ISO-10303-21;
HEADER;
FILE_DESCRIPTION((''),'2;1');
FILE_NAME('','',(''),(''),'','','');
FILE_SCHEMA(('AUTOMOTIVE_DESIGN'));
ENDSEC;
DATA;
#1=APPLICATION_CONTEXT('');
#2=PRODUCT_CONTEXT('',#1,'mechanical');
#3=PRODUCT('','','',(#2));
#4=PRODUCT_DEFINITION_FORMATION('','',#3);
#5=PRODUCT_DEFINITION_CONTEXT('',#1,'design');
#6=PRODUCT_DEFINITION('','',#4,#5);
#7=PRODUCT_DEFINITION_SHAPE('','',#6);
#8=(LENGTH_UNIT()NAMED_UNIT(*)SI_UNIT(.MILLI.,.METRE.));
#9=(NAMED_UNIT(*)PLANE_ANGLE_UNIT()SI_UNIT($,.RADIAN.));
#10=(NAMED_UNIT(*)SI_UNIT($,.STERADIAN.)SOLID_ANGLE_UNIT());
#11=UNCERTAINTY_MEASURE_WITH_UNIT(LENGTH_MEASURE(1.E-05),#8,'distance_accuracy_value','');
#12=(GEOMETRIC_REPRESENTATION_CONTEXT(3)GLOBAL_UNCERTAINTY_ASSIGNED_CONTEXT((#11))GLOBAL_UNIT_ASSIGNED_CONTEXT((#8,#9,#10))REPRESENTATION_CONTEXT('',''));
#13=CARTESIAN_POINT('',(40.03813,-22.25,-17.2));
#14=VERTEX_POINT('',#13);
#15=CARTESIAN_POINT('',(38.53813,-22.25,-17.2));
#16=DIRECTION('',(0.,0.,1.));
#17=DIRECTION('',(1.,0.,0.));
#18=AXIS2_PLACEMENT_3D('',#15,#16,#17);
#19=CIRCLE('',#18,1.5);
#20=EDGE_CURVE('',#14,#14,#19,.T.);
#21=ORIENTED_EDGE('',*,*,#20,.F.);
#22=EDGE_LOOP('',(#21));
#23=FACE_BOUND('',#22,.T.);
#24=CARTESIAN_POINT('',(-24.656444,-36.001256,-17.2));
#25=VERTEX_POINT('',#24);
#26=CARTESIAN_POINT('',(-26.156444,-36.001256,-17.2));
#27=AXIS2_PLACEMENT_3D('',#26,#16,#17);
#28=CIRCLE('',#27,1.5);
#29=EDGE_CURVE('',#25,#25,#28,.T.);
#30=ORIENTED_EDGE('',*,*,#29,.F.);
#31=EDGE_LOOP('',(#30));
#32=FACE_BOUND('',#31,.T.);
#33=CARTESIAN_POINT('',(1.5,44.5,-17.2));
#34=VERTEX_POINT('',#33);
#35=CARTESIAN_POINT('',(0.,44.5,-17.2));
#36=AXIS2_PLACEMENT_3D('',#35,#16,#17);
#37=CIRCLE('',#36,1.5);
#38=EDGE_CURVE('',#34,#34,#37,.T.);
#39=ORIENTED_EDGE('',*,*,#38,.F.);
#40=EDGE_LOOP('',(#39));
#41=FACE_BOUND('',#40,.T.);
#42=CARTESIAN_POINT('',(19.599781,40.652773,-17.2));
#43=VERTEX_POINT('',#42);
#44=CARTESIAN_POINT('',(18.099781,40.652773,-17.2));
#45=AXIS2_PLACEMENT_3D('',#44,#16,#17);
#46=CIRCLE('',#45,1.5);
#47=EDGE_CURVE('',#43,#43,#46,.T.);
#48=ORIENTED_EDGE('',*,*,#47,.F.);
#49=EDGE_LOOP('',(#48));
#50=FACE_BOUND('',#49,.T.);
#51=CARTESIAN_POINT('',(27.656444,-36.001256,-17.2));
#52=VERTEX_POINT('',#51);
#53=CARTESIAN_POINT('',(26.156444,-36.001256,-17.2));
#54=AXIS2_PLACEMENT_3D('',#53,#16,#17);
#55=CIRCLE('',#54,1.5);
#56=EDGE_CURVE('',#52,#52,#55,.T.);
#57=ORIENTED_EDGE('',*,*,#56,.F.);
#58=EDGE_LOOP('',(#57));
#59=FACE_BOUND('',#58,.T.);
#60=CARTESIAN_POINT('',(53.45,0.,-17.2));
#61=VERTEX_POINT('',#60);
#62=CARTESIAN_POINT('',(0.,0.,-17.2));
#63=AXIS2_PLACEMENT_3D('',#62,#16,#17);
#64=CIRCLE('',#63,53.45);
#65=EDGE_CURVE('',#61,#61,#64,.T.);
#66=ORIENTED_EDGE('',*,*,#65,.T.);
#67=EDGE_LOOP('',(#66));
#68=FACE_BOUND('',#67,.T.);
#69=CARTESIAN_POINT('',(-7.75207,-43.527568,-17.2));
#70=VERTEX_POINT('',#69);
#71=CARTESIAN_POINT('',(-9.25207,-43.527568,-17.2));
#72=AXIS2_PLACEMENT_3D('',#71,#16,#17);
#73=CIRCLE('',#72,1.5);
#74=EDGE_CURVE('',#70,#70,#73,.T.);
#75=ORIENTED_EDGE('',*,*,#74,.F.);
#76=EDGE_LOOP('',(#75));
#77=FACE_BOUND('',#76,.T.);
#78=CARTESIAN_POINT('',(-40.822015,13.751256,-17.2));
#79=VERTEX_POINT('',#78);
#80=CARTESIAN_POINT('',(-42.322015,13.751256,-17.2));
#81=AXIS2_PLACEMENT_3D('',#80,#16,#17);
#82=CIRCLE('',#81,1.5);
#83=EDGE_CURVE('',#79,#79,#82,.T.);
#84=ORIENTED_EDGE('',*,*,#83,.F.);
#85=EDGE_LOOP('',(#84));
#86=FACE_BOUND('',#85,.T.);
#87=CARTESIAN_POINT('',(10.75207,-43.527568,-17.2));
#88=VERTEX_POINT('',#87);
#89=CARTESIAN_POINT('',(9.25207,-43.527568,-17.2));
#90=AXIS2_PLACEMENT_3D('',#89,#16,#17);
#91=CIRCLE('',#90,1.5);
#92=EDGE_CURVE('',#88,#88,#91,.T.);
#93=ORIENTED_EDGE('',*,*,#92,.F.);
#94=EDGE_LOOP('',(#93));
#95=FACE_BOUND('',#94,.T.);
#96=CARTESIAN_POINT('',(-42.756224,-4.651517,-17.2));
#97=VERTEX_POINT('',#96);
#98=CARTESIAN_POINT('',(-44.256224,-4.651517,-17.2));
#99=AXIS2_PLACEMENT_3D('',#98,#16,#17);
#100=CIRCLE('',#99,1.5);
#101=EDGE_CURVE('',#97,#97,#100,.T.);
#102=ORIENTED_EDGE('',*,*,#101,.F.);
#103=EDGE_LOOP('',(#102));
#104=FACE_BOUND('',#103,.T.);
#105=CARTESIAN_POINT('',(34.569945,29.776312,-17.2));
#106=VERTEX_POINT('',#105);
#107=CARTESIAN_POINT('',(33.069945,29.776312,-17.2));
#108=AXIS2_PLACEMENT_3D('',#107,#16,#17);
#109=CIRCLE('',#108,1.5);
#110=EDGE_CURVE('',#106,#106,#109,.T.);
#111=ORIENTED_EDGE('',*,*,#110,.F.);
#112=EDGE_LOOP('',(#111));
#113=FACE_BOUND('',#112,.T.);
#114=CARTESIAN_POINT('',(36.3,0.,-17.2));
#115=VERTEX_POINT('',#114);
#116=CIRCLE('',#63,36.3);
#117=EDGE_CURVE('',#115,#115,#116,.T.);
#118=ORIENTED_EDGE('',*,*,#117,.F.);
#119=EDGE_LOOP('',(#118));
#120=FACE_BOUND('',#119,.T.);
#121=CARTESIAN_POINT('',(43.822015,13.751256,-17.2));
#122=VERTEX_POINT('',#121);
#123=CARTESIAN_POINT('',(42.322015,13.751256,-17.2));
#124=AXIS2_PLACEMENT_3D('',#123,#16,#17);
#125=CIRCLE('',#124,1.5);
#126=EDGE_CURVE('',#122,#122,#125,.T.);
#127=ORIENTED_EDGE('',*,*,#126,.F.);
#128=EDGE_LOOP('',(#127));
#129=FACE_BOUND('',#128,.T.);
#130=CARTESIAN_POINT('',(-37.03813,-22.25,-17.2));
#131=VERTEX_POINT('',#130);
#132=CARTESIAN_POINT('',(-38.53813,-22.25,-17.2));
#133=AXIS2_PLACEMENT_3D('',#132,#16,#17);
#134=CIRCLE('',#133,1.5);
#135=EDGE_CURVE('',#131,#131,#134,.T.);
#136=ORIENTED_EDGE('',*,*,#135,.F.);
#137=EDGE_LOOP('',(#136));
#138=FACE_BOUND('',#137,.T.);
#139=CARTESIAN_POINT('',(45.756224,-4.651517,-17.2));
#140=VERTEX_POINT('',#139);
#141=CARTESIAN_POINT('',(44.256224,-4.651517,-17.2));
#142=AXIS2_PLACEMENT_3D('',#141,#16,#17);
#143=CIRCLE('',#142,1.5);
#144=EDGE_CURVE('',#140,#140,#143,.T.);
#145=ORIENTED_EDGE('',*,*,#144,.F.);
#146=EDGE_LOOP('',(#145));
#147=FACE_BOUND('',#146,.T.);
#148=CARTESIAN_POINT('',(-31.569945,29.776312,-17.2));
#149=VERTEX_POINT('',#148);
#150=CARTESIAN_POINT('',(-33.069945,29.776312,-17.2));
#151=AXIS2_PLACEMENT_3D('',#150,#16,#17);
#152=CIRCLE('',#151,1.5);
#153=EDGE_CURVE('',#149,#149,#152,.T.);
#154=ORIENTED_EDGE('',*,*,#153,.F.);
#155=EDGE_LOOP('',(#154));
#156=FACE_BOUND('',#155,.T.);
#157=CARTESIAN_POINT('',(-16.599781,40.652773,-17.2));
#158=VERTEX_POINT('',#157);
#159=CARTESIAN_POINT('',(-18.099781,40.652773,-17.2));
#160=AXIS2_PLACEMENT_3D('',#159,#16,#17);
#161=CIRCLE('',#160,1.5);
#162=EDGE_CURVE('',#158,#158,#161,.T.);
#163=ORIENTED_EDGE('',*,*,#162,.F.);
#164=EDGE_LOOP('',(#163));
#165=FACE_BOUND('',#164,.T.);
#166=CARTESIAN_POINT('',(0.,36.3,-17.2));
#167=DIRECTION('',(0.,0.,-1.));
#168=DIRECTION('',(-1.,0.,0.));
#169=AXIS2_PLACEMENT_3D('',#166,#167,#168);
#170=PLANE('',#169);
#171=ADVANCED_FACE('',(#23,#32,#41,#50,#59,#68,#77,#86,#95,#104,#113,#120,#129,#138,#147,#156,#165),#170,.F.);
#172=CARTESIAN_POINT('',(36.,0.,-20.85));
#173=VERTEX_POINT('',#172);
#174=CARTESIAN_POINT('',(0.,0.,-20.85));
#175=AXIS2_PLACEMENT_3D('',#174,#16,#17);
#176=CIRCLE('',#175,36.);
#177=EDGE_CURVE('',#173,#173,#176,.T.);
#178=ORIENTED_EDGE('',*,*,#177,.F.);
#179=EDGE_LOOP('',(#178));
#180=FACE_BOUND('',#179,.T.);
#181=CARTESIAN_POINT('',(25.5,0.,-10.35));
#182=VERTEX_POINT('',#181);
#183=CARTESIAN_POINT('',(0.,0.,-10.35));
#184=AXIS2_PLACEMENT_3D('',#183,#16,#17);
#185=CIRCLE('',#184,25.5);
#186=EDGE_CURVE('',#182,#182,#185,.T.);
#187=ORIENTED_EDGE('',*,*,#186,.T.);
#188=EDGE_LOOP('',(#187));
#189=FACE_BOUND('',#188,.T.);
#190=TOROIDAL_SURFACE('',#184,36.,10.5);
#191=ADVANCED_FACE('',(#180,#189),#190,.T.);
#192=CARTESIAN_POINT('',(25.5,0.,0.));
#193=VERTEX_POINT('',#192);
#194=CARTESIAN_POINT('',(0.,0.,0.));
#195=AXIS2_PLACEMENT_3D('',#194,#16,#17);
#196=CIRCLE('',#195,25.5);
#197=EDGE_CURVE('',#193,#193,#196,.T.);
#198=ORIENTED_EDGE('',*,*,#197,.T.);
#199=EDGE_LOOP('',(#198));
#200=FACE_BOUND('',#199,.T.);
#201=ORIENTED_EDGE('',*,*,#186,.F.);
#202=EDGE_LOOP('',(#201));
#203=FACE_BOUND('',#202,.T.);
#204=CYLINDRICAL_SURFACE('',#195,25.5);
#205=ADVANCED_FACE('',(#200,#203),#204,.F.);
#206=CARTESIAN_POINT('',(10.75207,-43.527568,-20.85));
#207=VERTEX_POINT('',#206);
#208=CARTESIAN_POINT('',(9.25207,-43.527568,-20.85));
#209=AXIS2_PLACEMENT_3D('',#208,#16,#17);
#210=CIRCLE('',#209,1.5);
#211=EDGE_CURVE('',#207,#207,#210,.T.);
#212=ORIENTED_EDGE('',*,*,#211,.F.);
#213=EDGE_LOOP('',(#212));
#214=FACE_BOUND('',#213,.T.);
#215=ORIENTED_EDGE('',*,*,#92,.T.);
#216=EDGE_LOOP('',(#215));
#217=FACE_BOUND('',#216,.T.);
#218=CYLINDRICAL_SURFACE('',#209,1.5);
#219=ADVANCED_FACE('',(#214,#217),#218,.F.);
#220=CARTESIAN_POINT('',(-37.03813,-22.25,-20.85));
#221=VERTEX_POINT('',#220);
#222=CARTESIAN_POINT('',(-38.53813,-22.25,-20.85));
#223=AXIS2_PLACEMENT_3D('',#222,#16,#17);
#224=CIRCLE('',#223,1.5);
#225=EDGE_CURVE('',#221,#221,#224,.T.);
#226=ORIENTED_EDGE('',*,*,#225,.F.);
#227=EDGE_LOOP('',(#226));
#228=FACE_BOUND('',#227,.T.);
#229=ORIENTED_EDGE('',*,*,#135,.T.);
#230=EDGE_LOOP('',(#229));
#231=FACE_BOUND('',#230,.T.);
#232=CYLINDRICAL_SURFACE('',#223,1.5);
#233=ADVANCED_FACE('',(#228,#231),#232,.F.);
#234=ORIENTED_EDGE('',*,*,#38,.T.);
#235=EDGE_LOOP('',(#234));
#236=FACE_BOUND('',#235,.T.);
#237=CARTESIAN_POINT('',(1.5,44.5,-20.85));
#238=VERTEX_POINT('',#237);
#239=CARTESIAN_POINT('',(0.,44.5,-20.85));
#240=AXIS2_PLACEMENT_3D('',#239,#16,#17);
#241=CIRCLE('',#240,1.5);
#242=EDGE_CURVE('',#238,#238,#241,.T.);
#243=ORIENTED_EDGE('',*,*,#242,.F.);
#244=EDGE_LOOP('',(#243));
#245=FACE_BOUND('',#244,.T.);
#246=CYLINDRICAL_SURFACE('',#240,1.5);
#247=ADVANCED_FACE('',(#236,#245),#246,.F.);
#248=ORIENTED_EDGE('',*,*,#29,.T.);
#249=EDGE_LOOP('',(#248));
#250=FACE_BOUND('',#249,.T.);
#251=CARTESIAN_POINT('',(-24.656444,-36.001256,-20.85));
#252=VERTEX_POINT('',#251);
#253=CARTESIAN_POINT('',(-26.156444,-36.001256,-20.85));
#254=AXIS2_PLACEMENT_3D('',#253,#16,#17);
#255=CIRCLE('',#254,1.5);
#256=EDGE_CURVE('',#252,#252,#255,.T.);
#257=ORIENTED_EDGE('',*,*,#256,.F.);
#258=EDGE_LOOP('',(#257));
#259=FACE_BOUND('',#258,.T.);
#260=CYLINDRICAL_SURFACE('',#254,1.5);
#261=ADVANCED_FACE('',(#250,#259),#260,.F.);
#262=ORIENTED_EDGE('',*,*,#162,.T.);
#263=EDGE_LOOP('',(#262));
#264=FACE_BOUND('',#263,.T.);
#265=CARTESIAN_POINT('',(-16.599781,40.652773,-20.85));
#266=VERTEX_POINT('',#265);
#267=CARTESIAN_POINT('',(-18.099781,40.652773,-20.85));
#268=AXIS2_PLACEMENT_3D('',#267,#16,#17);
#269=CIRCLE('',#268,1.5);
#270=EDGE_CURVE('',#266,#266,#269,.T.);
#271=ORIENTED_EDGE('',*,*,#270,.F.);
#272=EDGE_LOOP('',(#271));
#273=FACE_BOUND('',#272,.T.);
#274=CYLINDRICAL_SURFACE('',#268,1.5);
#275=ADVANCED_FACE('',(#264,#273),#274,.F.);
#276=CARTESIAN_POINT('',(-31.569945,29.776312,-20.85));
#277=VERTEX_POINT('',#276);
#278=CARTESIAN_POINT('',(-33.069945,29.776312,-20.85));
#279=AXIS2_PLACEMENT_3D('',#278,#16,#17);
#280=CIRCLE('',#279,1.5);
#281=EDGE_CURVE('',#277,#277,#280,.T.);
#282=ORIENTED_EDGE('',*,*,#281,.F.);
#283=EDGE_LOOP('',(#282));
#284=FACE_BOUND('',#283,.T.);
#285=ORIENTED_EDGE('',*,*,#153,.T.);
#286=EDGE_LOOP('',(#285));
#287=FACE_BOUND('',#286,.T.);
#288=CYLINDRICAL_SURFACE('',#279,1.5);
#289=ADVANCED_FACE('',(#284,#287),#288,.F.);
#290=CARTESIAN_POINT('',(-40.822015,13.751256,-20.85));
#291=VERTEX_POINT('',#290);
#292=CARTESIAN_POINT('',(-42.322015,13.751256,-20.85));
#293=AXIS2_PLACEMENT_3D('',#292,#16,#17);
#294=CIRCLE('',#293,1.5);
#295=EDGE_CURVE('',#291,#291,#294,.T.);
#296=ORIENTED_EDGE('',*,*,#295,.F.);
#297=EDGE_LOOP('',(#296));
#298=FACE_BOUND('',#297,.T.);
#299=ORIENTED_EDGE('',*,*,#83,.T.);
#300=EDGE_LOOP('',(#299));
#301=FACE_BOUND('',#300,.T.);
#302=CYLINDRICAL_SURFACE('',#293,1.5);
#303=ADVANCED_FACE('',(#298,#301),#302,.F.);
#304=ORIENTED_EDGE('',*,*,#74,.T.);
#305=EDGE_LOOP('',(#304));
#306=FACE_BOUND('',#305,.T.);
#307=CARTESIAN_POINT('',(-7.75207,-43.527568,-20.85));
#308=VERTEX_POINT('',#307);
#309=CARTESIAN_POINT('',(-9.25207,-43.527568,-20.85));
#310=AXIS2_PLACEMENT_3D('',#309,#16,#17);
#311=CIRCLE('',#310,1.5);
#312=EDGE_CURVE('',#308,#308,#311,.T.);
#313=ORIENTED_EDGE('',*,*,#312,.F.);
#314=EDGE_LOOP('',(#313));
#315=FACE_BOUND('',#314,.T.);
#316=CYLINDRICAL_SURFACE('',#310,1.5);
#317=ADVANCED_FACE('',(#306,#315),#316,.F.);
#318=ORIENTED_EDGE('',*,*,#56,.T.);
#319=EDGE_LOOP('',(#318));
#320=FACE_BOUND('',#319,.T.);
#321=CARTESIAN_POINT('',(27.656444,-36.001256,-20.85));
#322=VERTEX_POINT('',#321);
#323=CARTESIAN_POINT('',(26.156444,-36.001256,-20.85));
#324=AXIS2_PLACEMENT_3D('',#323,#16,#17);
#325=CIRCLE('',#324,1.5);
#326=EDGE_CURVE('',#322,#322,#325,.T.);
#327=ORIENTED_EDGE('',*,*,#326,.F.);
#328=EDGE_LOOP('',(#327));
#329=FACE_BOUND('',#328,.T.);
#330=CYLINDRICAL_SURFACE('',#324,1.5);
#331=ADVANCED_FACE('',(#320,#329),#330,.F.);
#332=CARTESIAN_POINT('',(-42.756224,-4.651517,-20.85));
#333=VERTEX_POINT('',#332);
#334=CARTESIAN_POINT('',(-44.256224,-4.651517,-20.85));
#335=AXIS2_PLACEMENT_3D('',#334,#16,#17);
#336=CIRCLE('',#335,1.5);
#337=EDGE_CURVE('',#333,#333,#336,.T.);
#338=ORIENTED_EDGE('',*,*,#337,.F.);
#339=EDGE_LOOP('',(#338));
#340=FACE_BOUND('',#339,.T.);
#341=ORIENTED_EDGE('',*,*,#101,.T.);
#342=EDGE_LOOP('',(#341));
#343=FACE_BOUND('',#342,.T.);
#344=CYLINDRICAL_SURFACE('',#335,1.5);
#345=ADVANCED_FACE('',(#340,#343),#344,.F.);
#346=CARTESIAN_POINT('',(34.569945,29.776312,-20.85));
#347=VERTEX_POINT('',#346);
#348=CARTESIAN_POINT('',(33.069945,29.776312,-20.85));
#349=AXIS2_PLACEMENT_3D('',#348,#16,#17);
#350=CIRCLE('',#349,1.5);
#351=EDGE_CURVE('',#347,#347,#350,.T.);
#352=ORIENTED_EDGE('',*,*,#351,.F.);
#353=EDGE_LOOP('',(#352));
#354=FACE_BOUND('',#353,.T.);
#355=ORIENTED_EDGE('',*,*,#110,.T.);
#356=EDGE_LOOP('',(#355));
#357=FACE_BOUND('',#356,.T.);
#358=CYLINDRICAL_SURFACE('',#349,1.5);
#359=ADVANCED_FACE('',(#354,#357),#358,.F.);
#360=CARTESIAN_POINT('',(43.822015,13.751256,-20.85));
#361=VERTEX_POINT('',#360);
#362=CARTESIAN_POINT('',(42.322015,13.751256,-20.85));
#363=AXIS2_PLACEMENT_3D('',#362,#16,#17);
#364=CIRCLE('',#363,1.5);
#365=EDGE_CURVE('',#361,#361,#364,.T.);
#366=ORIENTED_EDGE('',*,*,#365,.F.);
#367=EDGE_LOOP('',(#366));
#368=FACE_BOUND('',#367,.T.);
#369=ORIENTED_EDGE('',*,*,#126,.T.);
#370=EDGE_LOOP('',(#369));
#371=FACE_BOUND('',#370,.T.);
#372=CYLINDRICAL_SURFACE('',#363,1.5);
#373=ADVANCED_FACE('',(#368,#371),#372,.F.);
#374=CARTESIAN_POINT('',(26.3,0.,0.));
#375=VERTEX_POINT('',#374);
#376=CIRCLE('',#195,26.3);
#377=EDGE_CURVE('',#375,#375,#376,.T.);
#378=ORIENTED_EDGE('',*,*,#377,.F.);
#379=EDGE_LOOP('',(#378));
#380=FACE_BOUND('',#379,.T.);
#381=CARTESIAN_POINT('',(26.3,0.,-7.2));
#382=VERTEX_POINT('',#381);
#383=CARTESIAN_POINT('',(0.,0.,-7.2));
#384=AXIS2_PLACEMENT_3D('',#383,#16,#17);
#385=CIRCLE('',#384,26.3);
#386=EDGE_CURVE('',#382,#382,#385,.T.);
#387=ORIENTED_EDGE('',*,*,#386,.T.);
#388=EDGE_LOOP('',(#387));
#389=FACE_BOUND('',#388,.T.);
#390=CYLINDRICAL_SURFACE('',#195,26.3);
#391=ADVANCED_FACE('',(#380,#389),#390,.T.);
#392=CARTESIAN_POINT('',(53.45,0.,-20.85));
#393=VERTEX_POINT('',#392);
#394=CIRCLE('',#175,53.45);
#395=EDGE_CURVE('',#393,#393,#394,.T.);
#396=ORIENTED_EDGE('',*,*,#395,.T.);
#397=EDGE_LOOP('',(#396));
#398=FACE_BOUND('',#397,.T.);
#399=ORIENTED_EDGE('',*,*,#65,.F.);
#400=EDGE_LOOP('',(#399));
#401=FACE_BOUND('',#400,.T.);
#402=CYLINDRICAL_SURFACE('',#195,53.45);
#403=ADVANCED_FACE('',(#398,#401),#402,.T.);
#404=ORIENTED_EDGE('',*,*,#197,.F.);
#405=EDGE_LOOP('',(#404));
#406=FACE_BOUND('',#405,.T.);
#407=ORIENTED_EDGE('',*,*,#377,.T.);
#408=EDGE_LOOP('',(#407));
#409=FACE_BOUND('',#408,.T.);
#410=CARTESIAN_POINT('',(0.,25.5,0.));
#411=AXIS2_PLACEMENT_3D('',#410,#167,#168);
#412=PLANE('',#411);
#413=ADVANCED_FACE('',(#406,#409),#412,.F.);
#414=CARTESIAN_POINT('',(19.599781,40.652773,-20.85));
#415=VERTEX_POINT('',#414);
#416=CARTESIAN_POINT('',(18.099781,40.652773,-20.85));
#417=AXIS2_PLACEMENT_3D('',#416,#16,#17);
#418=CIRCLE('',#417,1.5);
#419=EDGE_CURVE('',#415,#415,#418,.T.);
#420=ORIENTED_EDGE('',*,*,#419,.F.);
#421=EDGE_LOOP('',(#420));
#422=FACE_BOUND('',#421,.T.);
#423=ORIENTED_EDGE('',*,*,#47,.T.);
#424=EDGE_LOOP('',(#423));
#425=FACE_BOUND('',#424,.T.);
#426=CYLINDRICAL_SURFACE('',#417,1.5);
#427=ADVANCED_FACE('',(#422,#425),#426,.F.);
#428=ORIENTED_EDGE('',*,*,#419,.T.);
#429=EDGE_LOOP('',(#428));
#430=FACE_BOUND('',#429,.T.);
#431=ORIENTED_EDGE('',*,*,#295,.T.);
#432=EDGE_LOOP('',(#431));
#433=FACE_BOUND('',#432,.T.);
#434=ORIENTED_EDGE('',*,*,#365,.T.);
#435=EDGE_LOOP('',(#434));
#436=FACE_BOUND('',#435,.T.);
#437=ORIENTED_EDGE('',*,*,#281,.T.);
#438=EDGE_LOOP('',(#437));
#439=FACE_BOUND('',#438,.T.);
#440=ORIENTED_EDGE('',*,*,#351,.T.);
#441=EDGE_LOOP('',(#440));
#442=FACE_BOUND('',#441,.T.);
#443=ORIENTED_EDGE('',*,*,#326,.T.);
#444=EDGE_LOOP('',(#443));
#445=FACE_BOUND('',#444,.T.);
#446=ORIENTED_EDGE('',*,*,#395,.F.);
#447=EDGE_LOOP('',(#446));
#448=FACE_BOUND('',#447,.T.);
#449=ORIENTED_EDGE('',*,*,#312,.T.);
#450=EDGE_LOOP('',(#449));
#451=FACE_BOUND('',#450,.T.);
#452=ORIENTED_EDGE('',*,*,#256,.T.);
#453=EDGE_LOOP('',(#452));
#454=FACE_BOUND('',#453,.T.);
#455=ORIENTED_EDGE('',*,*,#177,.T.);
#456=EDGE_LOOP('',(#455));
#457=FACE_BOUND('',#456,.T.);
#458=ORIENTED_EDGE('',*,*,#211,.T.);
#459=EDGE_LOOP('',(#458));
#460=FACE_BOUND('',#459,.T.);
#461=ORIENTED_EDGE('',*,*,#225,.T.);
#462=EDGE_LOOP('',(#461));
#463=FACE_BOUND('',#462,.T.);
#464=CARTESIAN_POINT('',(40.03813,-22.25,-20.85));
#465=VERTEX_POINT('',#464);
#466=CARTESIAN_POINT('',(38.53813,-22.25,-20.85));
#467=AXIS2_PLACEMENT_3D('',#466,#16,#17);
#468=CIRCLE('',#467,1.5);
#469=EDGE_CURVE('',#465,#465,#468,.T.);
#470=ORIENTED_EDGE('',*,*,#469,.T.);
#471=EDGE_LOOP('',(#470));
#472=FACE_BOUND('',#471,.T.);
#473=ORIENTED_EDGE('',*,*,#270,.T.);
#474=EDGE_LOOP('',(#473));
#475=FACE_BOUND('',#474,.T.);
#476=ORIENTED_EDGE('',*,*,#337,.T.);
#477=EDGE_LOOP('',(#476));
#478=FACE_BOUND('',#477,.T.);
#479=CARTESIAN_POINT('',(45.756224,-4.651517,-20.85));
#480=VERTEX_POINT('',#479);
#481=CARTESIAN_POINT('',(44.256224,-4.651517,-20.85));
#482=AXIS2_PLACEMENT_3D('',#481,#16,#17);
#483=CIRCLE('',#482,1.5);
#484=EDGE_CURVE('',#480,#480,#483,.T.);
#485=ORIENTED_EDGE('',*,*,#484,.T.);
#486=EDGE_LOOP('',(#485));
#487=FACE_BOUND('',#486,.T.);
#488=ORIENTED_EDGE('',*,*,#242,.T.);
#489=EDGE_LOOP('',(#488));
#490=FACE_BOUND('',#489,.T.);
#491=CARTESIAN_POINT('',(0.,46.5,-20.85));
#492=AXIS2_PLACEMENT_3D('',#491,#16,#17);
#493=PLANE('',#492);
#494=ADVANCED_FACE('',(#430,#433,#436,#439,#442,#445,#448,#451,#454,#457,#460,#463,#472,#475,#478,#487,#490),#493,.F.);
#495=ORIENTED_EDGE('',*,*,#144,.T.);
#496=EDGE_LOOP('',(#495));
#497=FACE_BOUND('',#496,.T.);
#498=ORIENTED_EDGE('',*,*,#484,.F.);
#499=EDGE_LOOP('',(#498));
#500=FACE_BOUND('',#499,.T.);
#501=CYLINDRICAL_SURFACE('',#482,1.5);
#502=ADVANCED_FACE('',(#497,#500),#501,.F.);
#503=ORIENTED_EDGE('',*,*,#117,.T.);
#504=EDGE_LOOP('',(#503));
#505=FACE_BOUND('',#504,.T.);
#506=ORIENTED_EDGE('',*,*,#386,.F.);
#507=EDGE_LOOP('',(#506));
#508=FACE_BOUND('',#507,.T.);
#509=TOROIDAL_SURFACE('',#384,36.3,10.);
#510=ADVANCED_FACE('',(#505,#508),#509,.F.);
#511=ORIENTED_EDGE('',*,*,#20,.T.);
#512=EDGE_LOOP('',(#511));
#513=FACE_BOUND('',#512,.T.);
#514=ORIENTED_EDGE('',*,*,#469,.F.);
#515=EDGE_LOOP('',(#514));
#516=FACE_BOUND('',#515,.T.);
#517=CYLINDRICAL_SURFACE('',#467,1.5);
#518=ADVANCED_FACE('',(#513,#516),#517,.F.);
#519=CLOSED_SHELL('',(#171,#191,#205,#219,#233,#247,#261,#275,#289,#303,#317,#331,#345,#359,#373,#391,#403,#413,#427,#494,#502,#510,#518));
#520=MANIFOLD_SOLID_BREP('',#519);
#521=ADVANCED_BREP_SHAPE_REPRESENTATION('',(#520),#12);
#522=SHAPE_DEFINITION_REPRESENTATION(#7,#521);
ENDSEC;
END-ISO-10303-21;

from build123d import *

# Parameters (mm, degrees)
ESQUISSE2_R             = 1.5
ENL_V_MAT_EXTRU_1_DEPTH = 78.521900132


with BuildPart() as part:
    # Esquisse1 → Base-Révolution (revolve)
    with BuildSketch(Plane(origin=(0, 0, 0), x_dir=(0, 0, -1), z_dir=(1, 0, 0)), mode=Mode.PRIVATE) as base_r_volution_sk:
        with BuildLine():
            Line((20.85, 46.5), (20.85, 53.45))
            Line((20.85, 53.45), (17.2, 53.45))
            Line((17.2, 53.45), (17.2, 36.3))
            ThreePointArc((17.2, 36.3), (14.271067812, 29.228932188), (7.2, 26.3))
            Line((7.2, 26.3), (0, 26.3))
            Line((0, 26.3), (0, 25.5))
            Line((0, 25.5), (1.5, 25.5))
            Line((1.5, 25.5), (10.35, 25.5))
            ThreePointArc((10.35, 25.5), (17.774621202, 28.575378798), (20.85, 36))
            Line((20.85, 36), (20.85, 46.5))
        make_face()
    revolve(base_r_volution_sk.sketch.rotate(Axis((0, 0, 0), (0, 0, -1)), 90), axis=Axis((0, 0, 0), (0, 0, -1)))

    # Esquisse2 → Enlèv. mat.-Extru.1 (cut, through all)
    with BuildSketch(Plane.XY.offset(-17.2)):
        with Locations((0, 44.5)):
            Circle(ESQUISSE2_R)
        with Locations((18.099780617, 40.652772865)):
            Circle(ESQUISSE2_R)
        with Locations((33.069944734, 29.776311983)):
            Circle(ESQUISSE2_R)
        with Locations((42.322014975, 13.75125625)):
            Circle(ESQUISSE2_R)
        with Locations((44.256224344, -4.651516615)):
            Circle(ESQUISSE2_R)
        with Locations((38.538130468, -22.25)):
            Circle(ESQUISSE2_R)
        with Locations((26.156443727, -36.00125625)):
            Circle(ESQUISSE2_R)
        with Locations((9.252070241, -43.527568233)):
            Circle(ESQUISSE2_R)
        with Locations((-9.252070241, -43.527568233)):
            Circle(ESQUISSE2_R)
        with Locations((-26.156443727, -36.00125625)):
            Circle(ESQUISSE2_R)
        with Locations((-38.538130468, -22.25)):
            Circle(ESQUISSE2_R)
        with Locations((-44.256224344, -4.651516615)):
            Circle(ESQUISSE2_R)
        with Locations((-42.322014975, 13.75125625)):
            Circle(ESQUISSE2_R)
        with Locations((-33.069944734, 29.776311983)):
            Circle(ESQUISSE2_R)
        with Locations((-18.099780617, 40.652772865)):
            Circle(ESQUISSE2_R)
    extrude(amount=-ENL_V_MAT_EXTRU_1_DEPTH, mode=Mode.SUBTRACT)


solid = part.part
